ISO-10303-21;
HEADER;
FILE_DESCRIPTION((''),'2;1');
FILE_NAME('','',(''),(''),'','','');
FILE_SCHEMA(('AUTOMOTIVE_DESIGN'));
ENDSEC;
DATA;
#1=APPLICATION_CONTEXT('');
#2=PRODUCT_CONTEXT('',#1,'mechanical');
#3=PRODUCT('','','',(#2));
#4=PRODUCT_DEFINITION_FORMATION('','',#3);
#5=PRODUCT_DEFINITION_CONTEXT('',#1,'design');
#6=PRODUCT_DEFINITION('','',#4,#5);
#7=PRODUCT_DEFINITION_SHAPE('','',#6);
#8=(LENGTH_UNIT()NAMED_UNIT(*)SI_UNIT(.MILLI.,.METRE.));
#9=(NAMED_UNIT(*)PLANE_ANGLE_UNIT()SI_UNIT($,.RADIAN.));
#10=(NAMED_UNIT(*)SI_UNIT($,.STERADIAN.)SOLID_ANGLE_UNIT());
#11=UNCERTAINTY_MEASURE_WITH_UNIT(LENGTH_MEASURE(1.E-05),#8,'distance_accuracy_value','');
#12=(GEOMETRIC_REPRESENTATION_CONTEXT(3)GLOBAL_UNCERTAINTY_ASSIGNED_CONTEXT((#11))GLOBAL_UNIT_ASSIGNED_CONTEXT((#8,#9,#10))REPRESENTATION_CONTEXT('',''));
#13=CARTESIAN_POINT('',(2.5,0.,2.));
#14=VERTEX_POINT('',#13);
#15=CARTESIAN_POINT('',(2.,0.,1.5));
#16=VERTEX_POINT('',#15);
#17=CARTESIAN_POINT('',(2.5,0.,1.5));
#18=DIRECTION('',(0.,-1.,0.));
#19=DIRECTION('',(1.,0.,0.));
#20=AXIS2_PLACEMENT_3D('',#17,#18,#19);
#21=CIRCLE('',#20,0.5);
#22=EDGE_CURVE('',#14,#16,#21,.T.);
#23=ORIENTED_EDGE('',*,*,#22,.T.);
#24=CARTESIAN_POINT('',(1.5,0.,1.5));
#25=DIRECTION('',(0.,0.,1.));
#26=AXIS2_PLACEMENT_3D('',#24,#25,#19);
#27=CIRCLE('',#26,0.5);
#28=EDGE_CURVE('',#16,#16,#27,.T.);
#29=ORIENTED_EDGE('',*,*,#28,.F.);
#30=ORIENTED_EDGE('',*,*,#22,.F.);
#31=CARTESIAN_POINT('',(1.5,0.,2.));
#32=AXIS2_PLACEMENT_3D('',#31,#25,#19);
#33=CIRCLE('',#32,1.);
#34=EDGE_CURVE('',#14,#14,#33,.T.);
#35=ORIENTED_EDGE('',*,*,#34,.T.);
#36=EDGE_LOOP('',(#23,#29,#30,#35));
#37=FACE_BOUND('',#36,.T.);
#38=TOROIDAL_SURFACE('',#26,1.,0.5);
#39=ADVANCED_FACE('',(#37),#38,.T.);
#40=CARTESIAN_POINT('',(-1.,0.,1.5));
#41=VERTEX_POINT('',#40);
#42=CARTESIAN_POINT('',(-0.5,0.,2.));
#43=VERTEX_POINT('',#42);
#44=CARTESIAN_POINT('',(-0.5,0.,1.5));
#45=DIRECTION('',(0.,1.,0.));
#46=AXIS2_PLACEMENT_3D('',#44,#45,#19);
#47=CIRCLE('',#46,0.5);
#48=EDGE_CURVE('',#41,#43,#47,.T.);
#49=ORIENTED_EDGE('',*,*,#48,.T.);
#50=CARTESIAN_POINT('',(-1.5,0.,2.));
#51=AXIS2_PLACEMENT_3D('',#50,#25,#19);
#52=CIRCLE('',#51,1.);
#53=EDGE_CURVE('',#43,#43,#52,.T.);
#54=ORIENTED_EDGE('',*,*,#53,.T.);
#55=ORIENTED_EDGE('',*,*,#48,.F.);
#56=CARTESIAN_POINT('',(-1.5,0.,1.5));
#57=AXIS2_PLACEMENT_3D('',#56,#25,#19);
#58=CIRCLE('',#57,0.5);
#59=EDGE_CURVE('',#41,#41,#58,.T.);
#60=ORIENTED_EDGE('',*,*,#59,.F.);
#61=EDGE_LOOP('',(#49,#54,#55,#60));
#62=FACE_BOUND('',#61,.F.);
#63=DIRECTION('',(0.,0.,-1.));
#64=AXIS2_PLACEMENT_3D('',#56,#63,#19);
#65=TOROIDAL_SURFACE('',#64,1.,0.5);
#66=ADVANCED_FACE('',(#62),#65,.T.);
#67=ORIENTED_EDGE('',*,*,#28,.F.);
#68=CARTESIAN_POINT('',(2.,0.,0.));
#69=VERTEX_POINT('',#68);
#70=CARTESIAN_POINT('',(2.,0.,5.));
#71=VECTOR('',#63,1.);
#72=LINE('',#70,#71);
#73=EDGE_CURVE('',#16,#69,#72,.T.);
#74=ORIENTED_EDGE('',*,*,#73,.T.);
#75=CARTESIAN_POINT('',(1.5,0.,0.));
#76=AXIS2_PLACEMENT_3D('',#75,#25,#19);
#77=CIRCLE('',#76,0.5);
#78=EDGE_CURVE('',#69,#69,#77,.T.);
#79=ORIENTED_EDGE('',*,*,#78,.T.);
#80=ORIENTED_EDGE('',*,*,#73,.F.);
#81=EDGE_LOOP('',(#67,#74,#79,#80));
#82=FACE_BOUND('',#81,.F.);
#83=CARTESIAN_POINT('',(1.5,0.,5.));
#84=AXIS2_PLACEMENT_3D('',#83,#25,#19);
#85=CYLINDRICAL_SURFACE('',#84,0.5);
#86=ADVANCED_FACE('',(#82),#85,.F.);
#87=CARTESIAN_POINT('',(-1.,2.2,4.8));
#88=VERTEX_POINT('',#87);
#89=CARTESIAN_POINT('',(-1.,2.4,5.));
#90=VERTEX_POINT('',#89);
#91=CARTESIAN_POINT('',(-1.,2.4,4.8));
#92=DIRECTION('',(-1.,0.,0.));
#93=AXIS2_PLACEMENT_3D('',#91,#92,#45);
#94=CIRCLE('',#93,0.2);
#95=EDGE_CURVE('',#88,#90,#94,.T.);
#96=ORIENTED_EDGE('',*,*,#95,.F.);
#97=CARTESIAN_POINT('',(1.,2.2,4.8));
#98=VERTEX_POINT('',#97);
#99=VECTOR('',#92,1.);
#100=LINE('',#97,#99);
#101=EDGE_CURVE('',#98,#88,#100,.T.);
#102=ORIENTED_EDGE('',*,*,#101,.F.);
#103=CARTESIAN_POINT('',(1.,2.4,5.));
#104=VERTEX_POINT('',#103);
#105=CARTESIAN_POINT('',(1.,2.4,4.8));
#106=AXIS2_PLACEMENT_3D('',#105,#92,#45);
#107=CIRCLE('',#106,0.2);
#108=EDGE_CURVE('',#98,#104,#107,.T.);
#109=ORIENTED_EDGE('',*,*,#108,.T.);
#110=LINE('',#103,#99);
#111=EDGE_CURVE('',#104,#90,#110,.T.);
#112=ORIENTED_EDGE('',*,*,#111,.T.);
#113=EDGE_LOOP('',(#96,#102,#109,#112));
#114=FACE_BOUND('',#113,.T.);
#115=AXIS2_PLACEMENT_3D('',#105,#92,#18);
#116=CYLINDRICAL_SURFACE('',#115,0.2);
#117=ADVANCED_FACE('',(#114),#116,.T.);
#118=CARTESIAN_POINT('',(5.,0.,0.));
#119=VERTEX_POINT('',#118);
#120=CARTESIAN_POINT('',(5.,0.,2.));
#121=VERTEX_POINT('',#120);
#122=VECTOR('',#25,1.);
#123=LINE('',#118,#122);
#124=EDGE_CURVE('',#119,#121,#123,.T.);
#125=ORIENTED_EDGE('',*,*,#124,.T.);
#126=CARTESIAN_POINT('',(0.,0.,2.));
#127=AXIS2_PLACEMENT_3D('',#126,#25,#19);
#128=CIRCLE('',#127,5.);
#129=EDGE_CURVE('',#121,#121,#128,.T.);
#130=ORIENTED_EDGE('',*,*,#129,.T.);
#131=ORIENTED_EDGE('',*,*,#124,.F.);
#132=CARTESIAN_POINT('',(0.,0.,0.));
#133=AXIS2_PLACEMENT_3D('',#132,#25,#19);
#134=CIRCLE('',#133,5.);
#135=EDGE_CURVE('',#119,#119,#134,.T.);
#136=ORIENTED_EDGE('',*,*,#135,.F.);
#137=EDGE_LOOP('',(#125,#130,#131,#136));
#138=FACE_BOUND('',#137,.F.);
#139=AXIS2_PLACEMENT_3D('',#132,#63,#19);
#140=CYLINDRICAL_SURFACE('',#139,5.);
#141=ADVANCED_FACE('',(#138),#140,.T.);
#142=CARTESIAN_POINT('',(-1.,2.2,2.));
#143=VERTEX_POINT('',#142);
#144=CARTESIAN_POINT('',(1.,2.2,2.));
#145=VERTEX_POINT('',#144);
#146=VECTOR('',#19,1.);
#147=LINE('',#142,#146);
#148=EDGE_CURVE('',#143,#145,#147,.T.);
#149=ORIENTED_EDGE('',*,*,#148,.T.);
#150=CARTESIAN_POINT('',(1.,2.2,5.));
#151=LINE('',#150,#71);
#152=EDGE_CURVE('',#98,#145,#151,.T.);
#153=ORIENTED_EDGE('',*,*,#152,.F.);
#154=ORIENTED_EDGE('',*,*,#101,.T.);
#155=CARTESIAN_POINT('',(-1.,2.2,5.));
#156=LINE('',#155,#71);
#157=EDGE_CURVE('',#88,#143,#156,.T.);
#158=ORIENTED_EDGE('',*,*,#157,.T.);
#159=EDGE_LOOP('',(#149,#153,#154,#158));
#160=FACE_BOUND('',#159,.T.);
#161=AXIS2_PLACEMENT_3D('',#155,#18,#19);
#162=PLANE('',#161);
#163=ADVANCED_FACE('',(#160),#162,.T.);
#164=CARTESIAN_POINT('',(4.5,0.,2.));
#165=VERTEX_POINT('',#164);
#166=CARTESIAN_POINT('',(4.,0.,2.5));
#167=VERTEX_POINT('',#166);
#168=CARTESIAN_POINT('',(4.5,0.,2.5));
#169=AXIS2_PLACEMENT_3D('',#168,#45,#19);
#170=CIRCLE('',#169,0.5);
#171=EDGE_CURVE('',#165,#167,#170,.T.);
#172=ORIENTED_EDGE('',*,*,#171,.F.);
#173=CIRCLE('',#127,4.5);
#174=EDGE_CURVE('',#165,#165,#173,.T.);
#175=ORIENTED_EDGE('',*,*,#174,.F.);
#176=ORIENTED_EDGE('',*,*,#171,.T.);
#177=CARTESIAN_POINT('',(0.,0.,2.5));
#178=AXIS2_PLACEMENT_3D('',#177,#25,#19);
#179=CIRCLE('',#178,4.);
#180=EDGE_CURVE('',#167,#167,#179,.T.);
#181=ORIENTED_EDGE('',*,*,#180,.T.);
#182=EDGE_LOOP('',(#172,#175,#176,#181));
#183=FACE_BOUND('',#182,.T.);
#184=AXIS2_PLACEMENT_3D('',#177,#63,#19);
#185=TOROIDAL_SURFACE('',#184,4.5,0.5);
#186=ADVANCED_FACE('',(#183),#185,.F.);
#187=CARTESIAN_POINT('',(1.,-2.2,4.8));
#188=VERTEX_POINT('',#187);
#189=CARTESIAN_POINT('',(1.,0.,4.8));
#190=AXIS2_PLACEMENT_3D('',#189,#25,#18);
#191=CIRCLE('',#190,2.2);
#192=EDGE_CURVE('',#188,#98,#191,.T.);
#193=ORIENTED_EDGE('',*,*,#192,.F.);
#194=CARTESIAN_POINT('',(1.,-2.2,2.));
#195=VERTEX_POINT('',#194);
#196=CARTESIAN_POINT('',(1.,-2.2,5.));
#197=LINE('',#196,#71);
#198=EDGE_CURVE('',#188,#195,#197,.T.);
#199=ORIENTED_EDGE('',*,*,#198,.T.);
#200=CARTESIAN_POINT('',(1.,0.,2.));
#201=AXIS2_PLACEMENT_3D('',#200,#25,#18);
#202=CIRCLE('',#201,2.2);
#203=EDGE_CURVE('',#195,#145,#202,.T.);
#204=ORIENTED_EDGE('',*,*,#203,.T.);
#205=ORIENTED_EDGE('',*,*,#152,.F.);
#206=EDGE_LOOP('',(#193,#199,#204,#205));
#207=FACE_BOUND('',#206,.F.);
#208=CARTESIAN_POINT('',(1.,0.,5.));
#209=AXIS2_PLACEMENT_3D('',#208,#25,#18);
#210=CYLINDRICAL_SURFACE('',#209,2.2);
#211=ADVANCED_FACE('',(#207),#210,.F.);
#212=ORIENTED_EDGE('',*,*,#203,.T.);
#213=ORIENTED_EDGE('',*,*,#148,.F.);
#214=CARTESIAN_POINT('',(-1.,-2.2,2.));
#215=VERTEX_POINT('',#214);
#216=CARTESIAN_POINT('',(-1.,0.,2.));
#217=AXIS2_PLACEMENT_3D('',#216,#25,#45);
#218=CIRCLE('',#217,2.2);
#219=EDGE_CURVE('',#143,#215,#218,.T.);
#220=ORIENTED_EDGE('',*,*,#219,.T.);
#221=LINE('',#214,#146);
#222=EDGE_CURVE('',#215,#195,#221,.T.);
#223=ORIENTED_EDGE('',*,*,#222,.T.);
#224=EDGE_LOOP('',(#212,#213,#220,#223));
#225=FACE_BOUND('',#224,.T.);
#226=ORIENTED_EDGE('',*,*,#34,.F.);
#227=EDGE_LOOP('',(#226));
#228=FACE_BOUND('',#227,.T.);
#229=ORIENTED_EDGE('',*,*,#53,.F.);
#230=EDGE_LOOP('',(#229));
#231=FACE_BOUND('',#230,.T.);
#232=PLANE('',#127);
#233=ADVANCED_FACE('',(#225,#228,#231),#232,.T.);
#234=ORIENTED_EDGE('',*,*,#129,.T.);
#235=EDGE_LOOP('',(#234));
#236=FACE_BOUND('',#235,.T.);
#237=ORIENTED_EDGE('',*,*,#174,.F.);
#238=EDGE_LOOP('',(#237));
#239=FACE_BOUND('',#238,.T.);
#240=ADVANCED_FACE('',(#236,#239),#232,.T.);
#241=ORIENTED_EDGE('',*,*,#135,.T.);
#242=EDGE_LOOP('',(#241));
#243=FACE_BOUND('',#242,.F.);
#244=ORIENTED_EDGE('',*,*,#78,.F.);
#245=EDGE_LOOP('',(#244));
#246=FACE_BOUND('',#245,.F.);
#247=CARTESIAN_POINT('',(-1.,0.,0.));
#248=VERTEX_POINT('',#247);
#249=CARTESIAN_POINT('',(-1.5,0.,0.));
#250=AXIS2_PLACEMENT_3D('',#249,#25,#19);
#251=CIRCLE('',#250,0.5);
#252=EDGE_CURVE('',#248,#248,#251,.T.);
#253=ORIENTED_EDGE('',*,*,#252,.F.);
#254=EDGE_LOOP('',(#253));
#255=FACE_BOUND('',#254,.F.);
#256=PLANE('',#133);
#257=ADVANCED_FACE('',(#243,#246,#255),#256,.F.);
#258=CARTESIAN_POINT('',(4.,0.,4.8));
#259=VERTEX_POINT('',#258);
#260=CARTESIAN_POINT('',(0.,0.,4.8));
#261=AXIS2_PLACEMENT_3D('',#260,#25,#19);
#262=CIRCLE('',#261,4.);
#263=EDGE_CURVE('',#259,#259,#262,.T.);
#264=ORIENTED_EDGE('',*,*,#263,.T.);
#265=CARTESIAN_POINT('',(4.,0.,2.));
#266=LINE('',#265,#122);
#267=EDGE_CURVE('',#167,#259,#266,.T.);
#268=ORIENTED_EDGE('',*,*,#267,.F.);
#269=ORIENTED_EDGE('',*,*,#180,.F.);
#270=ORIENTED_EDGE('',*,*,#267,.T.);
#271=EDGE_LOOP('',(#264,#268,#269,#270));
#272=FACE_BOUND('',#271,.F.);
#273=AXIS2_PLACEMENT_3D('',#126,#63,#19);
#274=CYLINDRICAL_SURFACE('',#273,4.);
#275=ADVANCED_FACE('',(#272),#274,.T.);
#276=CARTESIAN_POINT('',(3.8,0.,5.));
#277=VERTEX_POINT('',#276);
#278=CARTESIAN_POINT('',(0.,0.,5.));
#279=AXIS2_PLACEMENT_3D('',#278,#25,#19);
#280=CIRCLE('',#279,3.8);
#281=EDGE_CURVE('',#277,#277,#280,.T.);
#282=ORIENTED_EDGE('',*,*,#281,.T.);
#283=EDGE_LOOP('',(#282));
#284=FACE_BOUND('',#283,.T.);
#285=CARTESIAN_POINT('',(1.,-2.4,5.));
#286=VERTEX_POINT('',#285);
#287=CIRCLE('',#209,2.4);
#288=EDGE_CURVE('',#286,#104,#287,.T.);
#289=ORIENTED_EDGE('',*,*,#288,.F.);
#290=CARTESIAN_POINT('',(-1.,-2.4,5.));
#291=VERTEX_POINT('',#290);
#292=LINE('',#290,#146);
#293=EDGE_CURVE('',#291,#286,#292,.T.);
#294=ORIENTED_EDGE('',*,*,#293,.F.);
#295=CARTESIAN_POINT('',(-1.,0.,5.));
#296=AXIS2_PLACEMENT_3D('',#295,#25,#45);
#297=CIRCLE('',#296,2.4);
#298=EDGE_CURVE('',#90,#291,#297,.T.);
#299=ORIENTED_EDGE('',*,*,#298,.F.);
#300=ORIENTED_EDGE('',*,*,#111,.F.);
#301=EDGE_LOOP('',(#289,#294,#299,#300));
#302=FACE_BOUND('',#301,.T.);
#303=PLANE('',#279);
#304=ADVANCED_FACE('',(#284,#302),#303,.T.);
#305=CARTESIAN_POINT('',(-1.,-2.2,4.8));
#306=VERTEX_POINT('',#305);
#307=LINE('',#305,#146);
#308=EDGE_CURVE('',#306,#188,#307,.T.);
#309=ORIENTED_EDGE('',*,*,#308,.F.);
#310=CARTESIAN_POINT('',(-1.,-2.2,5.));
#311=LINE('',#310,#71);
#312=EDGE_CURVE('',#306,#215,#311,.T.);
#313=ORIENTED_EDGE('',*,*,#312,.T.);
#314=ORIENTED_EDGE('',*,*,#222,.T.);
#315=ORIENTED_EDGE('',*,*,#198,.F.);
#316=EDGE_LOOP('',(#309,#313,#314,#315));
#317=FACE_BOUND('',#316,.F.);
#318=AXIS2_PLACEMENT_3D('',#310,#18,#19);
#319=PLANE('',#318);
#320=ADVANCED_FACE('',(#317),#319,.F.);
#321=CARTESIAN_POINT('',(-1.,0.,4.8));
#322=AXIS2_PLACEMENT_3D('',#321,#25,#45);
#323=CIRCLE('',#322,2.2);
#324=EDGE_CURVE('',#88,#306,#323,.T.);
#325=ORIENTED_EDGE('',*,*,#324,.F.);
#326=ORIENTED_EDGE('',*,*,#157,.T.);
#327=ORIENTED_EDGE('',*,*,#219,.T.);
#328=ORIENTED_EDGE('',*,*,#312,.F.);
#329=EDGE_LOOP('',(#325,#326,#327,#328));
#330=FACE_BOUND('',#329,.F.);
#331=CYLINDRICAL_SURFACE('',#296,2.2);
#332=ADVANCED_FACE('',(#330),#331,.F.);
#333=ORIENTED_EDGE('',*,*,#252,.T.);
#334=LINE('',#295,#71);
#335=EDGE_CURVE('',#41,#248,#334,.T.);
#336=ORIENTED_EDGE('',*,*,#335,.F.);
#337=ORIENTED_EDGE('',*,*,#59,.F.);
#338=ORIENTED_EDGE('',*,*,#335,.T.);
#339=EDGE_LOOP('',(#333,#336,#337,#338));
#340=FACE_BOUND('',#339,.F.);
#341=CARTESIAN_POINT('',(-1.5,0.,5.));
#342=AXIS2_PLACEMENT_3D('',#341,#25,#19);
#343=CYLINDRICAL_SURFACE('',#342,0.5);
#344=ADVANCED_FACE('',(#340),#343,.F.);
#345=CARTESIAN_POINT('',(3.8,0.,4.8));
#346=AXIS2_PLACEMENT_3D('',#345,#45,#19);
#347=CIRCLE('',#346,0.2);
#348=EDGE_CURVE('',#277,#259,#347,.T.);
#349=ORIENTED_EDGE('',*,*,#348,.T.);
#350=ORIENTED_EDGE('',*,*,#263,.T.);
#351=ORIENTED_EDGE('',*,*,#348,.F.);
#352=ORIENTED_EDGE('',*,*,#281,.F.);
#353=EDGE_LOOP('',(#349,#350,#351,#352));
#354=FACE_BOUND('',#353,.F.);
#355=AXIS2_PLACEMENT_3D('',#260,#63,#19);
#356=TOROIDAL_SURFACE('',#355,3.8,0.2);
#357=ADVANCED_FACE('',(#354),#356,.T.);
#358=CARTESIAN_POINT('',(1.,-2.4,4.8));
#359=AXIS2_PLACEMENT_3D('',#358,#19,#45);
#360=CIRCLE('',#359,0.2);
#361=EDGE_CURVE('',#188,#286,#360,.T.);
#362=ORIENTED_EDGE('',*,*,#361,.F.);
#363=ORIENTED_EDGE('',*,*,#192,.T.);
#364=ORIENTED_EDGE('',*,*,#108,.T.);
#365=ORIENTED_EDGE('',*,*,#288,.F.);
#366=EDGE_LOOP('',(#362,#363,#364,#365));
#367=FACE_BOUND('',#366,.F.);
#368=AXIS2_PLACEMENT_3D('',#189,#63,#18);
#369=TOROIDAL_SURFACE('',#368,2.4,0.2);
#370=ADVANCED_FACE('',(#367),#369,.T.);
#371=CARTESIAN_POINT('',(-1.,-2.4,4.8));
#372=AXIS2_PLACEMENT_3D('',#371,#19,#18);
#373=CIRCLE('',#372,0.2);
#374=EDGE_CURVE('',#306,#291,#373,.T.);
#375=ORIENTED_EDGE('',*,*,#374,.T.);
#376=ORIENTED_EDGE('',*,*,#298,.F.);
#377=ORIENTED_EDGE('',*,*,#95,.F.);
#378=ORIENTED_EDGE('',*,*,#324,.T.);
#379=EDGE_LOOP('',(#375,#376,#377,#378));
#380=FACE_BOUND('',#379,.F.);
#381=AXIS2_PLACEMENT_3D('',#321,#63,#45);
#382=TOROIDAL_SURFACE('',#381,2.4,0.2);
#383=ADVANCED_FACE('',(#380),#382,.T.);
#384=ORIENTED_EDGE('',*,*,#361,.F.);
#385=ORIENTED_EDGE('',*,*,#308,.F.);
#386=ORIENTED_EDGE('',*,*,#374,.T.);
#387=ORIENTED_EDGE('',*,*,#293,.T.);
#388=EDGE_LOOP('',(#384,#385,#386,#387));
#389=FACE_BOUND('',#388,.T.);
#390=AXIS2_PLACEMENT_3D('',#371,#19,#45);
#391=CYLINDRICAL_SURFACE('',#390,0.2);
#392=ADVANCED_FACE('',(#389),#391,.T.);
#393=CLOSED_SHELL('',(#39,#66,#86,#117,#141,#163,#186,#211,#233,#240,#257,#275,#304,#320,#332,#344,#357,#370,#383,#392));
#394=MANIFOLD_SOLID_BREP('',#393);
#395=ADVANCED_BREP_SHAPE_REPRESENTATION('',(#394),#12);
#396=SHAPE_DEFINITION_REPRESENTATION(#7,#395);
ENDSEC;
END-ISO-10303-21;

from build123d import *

# Parameters (mm, degrees)
SKETCH_R        = 5
PAD_DEPTH       = 2
SKETCH001_R     = 4
PAD001_DEPTH    = 3
POCKET_DEPTH    = 3
SKETCH003_R     = 0.5
POCKET001_DEPTH = 5.001
FILLET_R        = 0.5
FILLET001_R     = 0.5
FILLET002_R     = 0.5
FILLET003_R     = 0.2


with BuildPart() as part:
    # Sketch → Pad (new body)
    with BuildSketch(Plane.XY):
        Circle(SKETCH_R)
    extrude(amount=PAD_DEPTH)

    # Sketch001 (on Face3 of Pad) → Pad001 (join)
    with BuildSketch(Plane.XY.offset(2)):
        Circle(SKETCH001_R)
    extrude(amount=PAD001_DEPTH)

    # Sketch002 (on Face5 of Pad001) → Pocket (cut)
    with BuildSketch(Plane.XY.offset(5)):
        with BuildLine():
            ThreePointArc((-1, 2.2), (-3.2, 0), (-1, -2.2))
            Line((-1, -2.2), (1, -2.2))
            ThreePointArc((1, -2.2), (3.2, 0), (1, 2.2))
            Line((-1, 2.2), (1, 2.2))
        make_face()
    extrude(amount=-POCKET_DEPTH, mode=Mode.SUBTRACT)

    # Sketch003 (on Face5 of Pocket) → Pocket001 (cut, through all)
    with BuildSketch(Plane.XY.offset(5)):
        with Locations((-1.5, 0)):
            Circle(SKETCH003_R)
        with Locations((1.5, 0)):
            Circle(SKETCH003_R)
    extrude(amount=-POCKET001_DEPTH, mode=Mode.SUBTRACT)

    # Fillet
    fillet_edges = [part.edges().sort_by_distance(p)[0] for p in [
        (-4, 0, 2),
    ]]
    fillet(fillet_edges, radius=FILLET_R)

    # Fillet001
    fillet001_edges = [part.edges().sort_by_distance(p)[0] for p in [
        (-2, 0, 2),
    ]]
    fillet(fillet001_edges, radius=FILLET001_R)

    # Fillet002
    fillet002_edges = [part.edges().sort_by_distance(p)[0] for p in [
        (1, 0, 2),
    ]]
    fillet(fillet002_edges, radius=FILLET002_R)

    # Fillet003
    fillet003_edges = [part.edges().sort_by_distance(p)[0] for p in [
        (-4, 0, 5),
        (-3.2, 0, 5),
        (0, -2.2, 5),
        (3.2, 0, 5),
        (0, 2.2, 5),
    ]]
    fillet(fillet003_edges, radius=FILLET003_R)


solid = part.part
